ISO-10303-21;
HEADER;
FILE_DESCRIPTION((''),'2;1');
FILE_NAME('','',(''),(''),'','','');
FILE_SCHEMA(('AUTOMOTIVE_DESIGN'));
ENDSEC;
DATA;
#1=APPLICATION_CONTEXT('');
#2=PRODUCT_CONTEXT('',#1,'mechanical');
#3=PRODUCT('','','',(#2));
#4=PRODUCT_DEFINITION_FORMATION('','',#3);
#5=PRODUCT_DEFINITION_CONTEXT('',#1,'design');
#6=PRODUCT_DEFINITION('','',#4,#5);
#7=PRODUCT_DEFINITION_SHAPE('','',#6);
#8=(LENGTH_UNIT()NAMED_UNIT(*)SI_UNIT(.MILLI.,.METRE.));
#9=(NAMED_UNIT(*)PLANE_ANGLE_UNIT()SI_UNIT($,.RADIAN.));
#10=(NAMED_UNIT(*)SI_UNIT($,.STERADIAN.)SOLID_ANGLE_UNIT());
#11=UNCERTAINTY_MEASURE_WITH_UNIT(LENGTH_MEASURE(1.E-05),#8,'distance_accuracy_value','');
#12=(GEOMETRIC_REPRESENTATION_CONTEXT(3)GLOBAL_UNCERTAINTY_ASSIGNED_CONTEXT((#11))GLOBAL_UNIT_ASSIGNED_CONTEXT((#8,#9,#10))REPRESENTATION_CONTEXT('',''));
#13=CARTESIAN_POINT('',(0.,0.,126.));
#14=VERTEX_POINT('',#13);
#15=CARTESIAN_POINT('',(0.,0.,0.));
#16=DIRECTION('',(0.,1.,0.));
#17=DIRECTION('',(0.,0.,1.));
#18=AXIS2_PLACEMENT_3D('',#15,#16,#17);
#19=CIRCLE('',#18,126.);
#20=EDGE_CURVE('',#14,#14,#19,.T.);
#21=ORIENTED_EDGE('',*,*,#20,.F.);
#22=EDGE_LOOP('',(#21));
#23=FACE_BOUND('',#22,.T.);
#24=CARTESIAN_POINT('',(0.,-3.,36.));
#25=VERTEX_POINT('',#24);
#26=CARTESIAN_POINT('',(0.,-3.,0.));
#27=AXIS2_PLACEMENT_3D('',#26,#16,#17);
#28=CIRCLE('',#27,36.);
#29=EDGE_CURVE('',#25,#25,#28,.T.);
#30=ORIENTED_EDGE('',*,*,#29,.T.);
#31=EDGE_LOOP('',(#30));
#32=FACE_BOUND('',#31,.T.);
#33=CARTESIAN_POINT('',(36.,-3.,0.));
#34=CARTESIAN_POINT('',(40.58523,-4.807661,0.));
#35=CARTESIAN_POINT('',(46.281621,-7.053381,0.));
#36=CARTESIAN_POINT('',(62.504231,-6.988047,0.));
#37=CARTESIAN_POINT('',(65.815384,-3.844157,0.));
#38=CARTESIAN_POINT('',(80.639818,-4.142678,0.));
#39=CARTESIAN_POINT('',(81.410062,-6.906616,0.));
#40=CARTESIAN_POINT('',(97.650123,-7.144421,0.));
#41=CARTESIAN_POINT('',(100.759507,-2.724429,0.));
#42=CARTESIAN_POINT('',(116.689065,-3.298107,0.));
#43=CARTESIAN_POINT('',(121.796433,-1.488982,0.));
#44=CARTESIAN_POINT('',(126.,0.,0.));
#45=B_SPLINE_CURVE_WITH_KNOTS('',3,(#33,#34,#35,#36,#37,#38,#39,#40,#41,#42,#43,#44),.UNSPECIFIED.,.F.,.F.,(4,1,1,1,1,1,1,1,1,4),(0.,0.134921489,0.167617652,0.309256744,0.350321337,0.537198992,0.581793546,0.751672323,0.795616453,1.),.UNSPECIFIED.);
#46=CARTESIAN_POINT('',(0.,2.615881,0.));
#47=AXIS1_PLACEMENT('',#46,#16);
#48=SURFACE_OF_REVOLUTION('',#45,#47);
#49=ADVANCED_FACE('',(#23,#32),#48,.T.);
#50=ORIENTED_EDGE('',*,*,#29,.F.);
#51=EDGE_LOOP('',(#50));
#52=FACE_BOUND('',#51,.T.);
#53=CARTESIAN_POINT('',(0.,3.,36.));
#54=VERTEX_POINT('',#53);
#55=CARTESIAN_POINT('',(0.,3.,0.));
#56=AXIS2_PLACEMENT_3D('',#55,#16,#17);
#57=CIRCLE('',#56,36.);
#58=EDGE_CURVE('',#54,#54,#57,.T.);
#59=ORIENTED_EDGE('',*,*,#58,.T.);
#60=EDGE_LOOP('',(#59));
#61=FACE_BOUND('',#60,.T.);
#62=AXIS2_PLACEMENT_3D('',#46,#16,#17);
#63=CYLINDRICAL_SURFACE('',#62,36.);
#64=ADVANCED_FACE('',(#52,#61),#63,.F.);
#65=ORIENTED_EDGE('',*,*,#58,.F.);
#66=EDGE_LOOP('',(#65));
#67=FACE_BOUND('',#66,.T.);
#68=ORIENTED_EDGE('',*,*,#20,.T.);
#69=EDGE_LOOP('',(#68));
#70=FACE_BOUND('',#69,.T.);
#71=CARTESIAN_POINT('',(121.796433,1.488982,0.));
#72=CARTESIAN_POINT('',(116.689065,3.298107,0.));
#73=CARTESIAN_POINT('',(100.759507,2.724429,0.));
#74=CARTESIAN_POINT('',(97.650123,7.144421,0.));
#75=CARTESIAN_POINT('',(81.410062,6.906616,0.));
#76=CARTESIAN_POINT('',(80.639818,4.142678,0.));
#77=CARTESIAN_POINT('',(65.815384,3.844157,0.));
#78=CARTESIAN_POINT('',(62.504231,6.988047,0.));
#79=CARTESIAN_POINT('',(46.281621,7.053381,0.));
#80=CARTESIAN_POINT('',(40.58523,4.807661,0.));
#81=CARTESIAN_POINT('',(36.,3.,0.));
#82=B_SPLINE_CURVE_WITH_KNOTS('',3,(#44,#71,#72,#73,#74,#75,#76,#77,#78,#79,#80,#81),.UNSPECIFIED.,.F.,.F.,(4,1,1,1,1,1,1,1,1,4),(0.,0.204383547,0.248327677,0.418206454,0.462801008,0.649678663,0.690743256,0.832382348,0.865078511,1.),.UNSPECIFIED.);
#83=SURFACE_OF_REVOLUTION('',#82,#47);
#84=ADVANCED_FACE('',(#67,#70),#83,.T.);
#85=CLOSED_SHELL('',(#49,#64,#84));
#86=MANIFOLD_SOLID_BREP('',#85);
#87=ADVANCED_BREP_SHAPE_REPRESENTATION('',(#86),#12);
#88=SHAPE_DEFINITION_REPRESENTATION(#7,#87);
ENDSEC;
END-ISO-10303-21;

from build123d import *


with BuildPart() as part:
    # Sketch1 → Revolve1 (revolve)
    with BuildSketch(Plane.XY, mode=Mode.PRIVATE) as revolve1_sk:
        with BuildLine():
            Line((36, 3), (36, -3))
            add(Edge.make_bspline(
                [(36, -3), (40.585230131, -4.807661018), (46.281620785, -7.053381088), (62.504231047, -6.988046791), (65.815384329, -3.844157204), (80.639817917, -4.142677913), (81.410062476, -6.906615676), (97.650123006, -7.144420917), (100.759507117, -2.724428729), (116.689065098, -3.298106994), (121.796433134, -1.488981872), (126, 0)],
                knots=[0, 0, 0, 0, 0.134921489, 0.167617652, 0.309256744, 0.350321337, 0.537198992, 0.581793546, 0.751672323, 0.795616453, 1, 1, 1, 1], degree=3))
            add(Edge.make_bspline(
                [(36, 3), (40.585230131, 4.807661018), (46.281620785, 7.053381088), (62.504231047, 6.988046791), (65.815384329, 3.844157204), (80.639817917, 4.142677913), (81.410062476, 6.906615676), (97.650123006, 7.144420917), (100.759507117, 2.724428729), (116.689065098, 3.298106994), (121.796433134, 1.488981872), (126, 0)],
                knots=[0, 0, 0, 0, 0.134921489, 0.167617652, 0.309256744, 0.350321337, 0.537198992, 0.581793546, 0.751672323, 0.795616453, 1, 1, 1, 1], degree=3))
        make_face()
    revolve(revolve1_sk.sketch.rotate(Axis((0, 2.615880625, 0), (0, -1, 0)), 90), axis=Axis((0, 2.615880625, 0), (0, -1, 0)))


solid = part.part
